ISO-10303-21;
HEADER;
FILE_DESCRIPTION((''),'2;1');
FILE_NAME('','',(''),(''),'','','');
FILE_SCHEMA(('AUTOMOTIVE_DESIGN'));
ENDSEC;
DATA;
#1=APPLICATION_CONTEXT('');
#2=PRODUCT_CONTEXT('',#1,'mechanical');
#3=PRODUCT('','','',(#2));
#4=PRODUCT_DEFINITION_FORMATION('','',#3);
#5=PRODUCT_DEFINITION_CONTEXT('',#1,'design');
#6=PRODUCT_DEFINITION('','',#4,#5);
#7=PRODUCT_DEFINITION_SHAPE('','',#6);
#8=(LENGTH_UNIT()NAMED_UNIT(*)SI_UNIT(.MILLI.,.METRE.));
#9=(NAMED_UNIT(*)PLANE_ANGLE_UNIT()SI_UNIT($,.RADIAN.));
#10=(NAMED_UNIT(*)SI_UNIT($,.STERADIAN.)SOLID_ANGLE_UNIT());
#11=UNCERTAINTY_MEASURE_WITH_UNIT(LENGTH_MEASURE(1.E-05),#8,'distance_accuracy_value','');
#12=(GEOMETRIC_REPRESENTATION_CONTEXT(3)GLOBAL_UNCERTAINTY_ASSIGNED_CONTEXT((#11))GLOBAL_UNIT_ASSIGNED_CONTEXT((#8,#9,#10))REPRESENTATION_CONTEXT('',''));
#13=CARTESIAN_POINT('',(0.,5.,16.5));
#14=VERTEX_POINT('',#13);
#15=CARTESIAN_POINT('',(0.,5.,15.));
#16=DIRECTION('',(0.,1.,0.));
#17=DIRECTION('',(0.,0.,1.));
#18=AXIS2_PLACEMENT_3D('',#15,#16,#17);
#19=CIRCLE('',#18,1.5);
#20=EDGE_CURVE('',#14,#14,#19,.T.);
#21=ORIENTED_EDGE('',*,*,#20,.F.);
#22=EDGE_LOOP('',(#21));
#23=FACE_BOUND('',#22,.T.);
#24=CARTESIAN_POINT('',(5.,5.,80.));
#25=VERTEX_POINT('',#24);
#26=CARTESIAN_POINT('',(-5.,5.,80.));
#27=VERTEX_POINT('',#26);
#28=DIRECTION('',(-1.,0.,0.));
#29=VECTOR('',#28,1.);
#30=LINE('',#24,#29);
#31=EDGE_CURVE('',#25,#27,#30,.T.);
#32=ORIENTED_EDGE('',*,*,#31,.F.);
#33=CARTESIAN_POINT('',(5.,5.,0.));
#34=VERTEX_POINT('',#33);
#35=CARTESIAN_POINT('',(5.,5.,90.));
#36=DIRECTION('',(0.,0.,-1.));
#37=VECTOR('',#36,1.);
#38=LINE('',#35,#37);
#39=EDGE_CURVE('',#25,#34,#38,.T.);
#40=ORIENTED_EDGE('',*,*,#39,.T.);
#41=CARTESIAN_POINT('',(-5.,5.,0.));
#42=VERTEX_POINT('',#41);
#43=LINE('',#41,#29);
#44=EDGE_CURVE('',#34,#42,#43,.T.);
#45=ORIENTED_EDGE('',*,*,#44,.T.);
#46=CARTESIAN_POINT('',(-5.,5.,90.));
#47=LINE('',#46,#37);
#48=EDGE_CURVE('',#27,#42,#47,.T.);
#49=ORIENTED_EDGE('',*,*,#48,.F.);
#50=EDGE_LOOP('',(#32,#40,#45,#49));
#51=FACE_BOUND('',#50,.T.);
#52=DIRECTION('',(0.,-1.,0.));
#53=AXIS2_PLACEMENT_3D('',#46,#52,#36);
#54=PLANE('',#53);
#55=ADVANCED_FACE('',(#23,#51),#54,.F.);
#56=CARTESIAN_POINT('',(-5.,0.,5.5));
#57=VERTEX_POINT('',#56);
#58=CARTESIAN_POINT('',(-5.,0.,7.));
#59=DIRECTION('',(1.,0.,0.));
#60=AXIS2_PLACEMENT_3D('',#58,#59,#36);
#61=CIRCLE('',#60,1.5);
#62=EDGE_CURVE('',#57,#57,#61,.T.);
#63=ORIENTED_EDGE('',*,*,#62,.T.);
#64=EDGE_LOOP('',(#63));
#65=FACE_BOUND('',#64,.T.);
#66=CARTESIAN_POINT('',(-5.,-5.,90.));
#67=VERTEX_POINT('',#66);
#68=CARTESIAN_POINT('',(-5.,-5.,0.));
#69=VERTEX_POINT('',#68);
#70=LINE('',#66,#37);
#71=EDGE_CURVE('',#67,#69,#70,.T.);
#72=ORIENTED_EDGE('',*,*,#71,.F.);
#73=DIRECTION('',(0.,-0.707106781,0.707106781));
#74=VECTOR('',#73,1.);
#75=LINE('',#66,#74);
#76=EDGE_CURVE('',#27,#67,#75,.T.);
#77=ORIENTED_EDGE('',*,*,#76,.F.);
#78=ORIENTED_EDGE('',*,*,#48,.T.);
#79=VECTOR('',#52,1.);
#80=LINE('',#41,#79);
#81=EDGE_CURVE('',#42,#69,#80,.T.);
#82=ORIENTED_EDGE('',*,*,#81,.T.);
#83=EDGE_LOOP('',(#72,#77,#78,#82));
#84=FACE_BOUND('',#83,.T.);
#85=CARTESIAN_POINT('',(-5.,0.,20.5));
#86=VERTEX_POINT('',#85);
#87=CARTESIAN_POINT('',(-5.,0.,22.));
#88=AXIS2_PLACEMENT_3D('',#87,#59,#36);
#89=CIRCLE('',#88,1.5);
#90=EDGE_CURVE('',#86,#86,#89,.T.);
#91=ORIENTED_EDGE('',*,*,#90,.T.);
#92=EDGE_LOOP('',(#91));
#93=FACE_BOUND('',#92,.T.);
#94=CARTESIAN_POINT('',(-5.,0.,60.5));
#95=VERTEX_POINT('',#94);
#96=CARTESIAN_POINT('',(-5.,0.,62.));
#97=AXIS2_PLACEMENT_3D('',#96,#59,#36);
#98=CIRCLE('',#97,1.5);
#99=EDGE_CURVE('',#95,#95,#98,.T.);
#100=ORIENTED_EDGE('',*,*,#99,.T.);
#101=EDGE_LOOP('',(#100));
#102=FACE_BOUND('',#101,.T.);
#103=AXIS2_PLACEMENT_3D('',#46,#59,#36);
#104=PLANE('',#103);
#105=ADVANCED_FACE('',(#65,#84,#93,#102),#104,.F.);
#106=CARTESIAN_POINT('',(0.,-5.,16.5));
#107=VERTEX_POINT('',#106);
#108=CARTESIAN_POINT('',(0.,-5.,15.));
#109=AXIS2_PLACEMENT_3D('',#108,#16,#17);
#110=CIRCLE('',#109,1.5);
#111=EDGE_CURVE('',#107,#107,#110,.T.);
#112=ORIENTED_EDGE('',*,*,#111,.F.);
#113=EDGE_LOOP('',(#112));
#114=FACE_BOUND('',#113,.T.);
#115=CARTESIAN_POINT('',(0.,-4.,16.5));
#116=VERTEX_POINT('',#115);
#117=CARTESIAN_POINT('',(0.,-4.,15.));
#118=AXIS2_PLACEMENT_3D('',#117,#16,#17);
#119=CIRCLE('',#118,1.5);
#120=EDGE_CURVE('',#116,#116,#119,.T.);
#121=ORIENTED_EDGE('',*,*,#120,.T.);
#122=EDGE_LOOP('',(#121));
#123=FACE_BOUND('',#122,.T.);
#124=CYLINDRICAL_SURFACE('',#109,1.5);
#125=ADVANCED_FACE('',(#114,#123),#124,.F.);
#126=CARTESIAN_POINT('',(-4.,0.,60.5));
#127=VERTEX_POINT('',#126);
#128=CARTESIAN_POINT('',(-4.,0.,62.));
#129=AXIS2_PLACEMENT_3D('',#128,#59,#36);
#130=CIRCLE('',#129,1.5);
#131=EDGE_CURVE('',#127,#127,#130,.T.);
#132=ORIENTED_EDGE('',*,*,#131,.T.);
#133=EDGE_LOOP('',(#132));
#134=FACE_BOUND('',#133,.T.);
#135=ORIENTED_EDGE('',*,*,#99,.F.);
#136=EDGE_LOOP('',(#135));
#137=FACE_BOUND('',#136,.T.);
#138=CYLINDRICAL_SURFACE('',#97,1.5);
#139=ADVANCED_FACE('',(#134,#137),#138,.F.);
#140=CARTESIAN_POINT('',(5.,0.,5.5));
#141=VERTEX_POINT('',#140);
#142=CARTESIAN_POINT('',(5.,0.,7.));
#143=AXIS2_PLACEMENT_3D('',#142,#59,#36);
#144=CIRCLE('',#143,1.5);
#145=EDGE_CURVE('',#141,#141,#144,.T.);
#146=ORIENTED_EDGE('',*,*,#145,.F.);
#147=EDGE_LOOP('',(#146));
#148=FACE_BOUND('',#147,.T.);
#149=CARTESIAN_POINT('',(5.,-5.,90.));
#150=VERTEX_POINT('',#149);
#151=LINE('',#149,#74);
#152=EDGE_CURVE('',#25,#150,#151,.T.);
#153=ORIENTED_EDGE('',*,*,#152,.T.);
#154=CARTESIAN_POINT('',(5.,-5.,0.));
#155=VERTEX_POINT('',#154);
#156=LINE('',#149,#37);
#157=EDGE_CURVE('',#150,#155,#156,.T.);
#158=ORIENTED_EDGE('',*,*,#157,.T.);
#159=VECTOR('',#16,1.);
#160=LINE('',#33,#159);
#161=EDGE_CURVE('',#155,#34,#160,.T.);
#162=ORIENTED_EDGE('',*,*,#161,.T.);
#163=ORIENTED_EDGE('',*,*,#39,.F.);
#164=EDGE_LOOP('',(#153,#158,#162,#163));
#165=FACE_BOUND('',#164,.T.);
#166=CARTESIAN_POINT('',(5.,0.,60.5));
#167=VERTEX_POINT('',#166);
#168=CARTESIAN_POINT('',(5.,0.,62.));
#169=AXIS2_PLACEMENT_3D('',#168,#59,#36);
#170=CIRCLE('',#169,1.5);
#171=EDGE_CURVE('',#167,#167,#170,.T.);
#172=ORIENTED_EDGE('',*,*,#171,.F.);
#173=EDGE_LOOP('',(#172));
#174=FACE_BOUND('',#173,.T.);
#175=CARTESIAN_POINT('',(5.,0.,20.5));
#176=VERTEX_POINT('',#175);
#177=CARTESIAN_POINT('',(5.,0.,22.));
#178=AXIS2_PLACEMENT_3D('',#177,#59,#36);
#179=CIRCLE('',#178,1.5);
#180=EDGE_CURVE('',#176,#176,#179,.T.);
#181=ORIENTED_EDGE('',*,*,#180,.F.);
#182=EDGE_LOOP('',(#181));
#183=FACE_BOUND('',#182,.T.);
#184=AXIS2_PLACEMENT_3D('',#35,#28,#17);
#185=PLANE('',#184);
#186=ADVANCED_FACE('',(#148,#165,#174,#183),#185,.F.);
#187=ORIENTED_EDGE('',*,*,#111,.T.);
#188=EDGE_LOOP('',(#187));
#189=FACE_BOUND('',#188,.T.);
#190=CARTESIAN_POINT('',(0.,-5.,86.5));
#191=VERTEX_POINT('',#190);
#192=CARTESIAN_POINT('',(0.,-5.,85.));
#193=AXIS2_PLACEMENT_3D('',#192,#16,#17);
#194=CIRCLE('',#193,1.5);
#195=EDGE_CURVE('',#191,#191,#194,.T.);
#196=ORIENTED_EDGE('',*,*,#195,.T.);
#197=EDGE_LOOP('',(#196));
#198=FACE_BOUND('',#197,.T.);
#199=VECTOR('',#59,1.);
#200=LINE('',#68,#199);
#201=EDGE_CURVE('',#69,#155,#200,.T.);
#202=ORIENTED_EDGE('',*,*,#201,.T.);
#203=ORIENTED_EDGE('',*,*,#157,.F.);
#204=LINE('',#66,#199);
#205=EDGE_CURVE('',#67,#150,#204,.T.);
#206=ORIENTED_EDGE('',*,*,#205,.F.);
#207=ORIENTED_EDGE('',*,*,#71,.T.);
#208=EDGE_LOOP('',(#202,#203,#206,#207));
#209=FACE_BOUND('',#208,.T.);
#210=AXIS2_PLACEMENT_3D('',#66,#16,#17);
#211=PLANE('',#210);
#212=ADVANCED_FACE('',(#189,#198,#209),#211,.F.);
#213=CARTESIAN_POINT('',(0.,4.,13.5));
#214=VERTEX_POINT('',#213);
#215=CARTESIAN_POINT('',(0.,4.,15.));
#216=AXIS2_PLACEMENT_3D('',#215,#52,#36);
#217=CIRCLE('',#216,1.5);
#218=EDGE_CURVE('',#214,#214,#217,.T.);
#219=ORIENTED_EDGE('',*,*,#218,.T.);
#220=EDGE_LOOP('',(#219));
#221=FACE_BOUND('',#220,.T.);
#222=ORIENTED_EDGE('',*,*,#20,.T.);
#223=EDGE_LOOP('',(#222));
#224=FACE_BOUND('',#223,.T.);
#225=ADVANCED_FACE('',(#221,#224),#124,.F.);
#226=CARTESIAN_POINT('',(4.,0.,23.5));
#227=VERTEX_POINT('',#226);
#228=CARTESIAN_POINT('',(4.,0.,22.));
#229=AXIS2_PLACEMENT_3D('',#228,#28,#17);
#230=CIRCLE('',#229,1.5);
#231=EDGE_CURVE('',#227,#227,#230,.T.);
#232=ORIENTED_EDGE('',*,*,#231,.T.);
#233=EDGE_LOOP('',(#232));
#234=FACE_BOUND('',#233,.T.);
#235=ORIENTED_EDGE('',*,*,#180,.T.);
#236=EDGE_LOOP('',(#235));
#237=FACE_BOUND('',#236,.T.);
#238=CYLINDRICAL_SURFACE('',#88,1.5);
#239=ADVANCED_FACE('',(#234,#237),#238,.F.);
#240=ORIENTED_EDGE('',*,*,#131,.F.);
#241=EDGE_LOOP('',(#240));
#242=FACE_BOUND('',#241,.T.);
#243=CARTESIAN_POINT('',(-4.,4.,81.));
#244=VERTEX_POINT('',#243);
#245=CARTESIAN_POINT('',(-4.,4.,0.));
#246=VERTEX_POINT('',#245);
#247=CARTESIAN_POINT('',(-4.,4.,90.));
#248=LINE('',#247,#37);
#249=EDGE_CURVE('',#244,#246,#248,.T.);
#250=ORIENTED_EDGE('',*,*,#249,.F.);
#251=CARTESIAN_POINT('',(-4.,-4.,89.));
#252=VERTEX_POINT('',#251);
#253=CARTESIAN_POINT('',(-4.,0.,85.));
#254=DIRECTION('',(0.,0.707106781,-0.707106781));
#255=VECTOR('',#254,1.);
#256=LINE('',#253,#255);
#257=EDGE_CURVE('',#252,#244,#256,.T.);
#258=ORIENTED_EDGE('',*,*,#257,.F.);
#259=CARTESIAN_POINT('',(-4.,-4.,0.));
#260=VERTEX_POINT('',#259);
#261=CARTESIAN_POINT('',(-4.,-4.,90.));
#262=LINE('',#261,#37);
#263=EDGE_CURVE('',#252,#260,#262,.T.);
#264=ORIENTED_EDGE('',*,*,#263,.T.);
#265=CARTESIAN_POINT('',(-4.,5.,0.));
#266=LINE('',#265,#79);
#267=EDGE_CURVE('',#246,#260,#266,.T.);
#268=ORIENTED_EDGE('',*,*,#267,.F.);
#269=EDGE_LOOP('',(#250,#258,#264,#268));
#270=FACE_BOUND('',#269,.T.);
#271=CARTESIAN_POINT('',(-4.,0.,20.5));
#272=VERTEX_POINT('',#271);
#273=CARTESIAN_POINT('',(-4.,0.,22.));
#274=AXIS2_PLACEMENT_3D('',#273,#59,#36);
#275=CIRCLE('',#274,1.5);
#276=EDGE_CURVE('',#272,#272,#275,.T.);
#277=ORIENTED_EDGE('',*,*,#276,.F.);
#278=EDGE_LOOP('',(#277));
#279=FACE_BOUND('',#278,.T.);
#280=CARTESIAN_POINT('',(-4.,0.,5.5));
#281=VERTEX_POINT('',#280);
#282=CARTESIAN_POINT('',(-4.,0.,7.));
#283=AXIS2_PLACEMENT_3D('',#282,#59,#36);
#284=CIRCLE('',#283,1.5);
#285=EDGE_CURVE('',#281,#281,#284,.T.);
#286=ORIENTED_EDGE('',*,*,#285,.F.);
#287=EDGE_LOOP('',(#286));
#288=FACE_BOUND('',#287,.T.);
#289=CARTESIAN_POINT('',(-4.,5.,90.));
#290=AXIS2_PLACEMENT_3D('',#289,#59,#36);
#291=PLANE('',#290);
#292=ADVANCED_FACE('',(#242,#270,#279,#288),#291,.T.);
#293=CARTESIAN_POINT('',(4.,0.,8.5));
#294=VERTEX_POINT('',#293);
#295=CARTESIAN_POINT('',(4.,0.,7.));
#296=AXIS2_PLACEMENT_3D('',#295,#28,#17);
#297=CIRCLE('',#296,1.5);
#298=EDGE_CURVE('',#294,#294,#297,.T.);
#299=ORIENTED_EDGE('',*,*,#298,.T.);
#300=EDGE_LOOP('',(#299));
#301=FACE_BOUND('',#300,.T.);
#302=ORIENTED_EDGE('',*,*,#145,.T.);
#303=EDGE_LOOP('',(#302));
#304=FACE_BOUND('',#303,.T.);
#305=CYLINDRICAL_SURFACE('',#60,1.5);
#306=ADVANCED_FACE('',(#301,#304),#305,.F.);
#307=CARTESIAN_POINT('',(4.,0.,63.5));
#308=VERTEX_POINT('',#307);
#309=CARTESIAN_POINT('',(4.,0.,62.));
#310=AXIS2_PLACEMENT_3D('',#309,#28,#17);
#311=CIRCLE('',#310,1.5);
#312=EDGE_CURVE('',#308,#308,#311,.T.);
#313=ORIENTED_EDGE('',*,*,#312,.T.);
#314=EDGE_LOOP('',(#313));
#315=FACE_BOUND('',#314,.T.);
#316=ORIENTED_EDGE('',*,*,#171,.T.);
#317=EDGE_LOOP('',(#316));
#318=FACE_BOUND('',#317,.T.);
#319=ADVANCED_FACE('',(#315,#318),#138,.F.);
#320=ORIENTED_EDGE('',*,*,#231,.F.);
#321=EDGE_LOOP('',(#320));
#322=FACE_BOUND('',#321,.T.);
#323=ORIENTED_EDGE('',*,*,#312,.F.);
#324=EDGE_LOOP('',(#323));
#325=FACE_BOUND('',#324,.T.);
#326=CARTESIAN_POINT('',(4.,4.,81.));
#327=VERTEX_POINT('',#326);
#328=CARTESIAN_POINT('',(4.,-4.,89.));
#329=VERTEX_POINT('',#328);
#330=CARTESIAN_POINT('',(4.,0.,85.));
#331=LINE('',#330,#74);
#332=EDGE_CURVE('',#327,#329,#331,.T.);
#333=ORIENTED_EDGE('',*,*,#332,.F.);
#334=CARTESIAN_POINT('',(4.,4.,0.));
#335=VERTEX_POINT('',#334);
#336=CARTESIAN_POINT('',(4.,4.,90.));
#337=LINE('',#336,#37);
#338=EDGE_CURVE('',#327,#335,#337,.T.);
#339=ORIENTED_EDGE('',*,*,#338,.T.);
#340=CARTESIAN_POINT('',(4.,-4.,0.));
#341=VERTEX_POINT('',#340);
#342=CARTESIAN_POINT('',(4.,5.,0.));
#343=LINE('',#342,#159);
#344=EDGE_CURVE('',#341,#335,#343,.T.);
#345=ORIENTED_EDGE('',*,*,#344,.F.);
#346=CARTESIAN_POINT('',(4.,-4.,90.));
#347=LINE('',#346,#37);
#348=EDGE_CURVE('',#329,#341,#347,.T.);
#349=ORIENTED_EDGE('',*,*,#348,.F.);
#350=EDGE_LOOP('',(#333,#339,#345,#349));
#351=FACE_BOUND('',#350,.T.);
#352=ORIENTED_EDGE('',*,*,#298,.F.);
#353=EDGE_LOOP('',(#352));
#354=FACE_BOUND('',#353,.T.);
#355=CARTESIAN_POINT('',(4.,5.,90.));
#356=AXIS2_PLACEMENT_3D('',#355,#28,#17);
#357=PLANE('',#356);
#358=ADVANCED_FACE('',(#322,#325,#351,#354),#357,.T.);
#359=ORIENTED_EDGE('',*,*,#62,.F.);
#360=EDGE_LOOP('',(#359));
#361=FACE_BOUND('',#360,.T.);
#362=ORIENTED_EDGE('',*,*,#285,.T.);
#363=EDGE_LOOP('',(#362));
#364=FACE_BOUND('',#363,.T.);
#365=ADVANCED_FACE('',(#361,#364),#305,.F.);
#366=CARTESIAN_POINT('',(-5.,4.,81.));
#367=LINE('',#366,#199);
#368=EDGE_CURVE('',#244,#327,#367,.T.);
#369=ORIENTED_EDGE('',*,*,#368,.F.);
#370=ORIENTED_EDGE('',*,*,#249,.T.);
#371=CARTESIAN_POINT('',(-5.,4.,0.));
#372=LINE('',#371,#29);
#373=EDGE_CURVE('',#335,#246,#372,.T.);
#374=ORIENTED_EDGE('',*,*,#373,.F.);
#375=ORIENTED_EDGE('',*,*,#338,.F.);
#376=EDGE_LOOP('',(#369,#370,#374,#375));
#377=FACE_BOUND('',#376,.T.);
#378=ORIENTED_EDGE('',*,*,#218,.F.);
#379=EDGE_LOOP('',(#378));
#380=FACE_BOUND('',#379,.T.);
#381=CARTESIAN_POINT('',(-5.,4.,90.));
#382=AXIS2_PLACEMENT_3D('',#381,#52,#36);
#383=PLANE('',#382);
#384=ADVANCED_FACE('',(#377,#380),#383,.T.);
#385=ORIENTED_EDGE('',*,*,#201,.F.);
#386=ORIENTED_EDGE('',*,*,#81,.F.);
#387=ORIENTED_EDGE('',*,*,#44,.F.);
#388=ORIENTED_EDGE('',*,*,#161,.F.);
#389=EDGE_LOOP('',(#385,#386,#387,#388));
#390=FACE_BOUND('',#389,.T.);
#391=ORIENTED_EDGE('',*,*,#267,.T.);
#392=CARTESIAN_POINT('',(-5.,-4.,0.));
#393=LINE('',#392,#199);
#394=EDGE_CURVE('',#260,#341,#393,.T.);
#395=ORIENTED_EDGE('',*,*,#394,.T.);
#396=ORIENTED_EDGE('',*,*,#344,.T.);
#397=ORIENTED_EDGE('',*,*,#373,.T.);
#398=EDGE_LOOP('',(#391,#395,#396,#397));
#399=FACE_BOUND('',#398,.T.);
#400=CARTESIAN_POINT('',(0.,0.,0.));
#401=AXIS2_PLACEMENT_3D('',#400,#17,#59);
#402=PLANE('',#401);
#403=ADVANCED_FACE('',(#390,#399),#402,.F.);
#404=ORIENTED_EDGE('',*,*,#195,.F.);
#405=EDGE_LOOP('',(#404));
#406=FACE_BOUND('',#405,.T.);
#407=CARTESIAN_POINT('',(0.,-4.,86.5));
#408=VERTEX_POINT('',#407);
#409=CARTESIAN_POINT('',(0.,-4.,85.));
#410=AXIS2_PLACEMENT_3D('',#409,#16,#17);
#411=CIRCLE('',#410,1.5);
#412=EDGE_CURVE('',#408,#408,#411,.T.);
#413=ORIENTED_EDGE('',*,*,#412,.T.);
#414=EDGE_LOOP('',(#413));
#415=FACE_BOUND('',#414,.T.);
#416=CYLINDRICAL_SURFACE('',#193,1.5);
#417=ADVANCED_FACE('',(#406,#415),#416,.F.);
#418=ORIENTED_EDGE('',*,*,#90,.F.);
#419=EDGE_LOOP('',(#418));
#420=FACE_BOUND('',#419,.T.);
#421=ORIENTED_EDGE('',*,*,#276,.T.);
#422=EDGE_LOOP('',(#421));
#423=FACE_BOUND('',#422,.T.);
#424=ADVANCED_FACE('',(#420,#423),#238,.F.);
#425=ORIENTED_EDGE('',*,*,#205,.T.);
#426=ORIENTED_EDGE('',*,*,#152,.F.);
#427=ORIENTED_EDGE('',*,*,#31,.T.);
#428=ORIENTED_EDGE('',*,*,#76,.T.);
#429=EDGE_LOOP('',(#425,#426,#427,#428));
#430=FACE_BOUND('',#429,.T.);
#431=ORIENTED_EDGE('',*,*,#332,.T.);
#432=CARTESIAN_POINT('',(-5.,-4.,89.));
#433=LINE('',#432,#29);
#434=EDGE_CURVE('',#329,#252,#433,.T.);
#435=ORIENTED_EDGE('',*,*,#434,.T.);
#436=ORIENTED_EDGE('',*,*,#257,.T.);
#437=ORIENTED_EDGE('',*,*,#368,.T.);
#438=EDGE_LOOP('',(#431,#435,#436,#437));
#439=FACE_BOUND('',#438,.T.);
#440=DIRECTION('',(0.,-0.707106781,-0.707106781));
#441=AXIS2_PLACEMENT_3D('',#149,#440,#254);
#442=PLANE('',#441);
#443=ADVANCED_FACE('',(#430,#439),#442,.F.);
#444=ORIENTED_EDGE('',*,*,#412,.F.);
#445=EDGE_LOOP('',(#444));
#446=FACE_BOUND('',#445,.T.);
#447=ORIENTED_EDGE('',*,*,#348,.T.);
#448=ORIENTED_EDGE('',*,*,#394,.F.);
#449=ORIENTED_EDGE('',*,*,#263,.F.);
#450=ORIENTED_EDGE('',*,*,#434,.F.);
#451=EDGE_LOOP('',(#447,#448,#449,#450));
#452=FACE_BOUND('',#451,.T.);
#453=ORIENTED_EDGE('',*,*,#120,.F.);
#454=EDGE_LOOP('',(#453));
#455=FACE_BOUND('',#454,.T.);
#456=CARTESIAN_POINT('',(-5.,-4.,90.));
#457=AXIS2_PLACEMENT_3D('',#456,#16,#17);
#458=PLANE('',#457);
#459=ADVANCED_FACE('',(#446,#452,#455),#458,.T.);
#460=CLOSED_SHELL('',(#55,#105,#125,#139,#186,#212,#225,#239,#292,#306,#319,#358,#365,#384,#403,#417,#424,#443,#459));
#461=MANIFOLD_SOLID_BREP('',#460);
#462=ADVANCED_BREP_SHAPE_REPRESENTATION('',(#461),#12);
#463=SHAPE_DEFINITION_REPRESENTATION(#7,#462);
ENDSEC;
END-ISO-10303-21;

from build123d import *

# Parameters (mm, degrees)
SKETCH_1_W          = 10
SKETCH_1_H          = 10
SKETCH_1_W_2        = 8
SKETCH_1_H_2        = 8
EXTRUDE_1_DEPTH     = 90
SKETCH_2_R          = 1.5
CUT_EXTRUDE_1_DEPTH = 11
SKETCH_3_R          = 1.5
CUT_EXTRUDE_3_DEPTH = 11
CUT_EXTRUDE_4_DEPTH = 10


with BuildPart() as part:
    # 草图1 → 拉伸-薄壁1 (new body)
    with BuildSketch(Plane.XY):
        Rectangle(SKETCH_1_W, SKETCH_1_H)
        Rectangle(SKETCH_1_W_2, SKETCH_1_H_2, mode=Mode.SUBTRACT)
    extrude(amount=EXTRUDE_1_DEPTH)

    # 草图2 → 切除-拉伸1 (cut, through all)
    with BuildSketch(Plane(origin=(5, 0, 0), x_dir=(0, 0, -1), z_dir=(1, 0, 0))):
        with Locations((-62, 0)):
            Circle(SKETCH_2_R)
        with Locations((-7, 0)):
            Circle(SKETCH_2_R)
        with Locations((-22, 0)):
            Circle(SKETCH_2_R)
    extrude(amount=-CUT_EXTRUDE_1_DEPTH, mode=Mode.SUBTRACT)

    # 草图3 → 切除-拉伸3 (cut, through all)
    with BuildSketch(Plane(origin=(0, 5, 0), x_dir=(1, 0, 0), z_dir=(0, 1, 0))):
        with Locations((0, -15)):
            Circle(SKETCH_3_R)
        with Locations((0, -85)):
            Circle(SKETCH_3_R)
    extrude(amount=-CUT_EXTRUDE_3_DEPTH, mode=Mode.SUBTRACT)

    # 草图4 → 切除-拉伸4 (cut)
    with BuildSketch(Plane.ZY.offset(5)):
        Polygon((90, -5), (80, 5), (90, 5), align=None)
    extrude(amount=-CUT_EXTRUDE_4_DEPTH, mode=Mode.SUBTRACT)


solid = part.part
